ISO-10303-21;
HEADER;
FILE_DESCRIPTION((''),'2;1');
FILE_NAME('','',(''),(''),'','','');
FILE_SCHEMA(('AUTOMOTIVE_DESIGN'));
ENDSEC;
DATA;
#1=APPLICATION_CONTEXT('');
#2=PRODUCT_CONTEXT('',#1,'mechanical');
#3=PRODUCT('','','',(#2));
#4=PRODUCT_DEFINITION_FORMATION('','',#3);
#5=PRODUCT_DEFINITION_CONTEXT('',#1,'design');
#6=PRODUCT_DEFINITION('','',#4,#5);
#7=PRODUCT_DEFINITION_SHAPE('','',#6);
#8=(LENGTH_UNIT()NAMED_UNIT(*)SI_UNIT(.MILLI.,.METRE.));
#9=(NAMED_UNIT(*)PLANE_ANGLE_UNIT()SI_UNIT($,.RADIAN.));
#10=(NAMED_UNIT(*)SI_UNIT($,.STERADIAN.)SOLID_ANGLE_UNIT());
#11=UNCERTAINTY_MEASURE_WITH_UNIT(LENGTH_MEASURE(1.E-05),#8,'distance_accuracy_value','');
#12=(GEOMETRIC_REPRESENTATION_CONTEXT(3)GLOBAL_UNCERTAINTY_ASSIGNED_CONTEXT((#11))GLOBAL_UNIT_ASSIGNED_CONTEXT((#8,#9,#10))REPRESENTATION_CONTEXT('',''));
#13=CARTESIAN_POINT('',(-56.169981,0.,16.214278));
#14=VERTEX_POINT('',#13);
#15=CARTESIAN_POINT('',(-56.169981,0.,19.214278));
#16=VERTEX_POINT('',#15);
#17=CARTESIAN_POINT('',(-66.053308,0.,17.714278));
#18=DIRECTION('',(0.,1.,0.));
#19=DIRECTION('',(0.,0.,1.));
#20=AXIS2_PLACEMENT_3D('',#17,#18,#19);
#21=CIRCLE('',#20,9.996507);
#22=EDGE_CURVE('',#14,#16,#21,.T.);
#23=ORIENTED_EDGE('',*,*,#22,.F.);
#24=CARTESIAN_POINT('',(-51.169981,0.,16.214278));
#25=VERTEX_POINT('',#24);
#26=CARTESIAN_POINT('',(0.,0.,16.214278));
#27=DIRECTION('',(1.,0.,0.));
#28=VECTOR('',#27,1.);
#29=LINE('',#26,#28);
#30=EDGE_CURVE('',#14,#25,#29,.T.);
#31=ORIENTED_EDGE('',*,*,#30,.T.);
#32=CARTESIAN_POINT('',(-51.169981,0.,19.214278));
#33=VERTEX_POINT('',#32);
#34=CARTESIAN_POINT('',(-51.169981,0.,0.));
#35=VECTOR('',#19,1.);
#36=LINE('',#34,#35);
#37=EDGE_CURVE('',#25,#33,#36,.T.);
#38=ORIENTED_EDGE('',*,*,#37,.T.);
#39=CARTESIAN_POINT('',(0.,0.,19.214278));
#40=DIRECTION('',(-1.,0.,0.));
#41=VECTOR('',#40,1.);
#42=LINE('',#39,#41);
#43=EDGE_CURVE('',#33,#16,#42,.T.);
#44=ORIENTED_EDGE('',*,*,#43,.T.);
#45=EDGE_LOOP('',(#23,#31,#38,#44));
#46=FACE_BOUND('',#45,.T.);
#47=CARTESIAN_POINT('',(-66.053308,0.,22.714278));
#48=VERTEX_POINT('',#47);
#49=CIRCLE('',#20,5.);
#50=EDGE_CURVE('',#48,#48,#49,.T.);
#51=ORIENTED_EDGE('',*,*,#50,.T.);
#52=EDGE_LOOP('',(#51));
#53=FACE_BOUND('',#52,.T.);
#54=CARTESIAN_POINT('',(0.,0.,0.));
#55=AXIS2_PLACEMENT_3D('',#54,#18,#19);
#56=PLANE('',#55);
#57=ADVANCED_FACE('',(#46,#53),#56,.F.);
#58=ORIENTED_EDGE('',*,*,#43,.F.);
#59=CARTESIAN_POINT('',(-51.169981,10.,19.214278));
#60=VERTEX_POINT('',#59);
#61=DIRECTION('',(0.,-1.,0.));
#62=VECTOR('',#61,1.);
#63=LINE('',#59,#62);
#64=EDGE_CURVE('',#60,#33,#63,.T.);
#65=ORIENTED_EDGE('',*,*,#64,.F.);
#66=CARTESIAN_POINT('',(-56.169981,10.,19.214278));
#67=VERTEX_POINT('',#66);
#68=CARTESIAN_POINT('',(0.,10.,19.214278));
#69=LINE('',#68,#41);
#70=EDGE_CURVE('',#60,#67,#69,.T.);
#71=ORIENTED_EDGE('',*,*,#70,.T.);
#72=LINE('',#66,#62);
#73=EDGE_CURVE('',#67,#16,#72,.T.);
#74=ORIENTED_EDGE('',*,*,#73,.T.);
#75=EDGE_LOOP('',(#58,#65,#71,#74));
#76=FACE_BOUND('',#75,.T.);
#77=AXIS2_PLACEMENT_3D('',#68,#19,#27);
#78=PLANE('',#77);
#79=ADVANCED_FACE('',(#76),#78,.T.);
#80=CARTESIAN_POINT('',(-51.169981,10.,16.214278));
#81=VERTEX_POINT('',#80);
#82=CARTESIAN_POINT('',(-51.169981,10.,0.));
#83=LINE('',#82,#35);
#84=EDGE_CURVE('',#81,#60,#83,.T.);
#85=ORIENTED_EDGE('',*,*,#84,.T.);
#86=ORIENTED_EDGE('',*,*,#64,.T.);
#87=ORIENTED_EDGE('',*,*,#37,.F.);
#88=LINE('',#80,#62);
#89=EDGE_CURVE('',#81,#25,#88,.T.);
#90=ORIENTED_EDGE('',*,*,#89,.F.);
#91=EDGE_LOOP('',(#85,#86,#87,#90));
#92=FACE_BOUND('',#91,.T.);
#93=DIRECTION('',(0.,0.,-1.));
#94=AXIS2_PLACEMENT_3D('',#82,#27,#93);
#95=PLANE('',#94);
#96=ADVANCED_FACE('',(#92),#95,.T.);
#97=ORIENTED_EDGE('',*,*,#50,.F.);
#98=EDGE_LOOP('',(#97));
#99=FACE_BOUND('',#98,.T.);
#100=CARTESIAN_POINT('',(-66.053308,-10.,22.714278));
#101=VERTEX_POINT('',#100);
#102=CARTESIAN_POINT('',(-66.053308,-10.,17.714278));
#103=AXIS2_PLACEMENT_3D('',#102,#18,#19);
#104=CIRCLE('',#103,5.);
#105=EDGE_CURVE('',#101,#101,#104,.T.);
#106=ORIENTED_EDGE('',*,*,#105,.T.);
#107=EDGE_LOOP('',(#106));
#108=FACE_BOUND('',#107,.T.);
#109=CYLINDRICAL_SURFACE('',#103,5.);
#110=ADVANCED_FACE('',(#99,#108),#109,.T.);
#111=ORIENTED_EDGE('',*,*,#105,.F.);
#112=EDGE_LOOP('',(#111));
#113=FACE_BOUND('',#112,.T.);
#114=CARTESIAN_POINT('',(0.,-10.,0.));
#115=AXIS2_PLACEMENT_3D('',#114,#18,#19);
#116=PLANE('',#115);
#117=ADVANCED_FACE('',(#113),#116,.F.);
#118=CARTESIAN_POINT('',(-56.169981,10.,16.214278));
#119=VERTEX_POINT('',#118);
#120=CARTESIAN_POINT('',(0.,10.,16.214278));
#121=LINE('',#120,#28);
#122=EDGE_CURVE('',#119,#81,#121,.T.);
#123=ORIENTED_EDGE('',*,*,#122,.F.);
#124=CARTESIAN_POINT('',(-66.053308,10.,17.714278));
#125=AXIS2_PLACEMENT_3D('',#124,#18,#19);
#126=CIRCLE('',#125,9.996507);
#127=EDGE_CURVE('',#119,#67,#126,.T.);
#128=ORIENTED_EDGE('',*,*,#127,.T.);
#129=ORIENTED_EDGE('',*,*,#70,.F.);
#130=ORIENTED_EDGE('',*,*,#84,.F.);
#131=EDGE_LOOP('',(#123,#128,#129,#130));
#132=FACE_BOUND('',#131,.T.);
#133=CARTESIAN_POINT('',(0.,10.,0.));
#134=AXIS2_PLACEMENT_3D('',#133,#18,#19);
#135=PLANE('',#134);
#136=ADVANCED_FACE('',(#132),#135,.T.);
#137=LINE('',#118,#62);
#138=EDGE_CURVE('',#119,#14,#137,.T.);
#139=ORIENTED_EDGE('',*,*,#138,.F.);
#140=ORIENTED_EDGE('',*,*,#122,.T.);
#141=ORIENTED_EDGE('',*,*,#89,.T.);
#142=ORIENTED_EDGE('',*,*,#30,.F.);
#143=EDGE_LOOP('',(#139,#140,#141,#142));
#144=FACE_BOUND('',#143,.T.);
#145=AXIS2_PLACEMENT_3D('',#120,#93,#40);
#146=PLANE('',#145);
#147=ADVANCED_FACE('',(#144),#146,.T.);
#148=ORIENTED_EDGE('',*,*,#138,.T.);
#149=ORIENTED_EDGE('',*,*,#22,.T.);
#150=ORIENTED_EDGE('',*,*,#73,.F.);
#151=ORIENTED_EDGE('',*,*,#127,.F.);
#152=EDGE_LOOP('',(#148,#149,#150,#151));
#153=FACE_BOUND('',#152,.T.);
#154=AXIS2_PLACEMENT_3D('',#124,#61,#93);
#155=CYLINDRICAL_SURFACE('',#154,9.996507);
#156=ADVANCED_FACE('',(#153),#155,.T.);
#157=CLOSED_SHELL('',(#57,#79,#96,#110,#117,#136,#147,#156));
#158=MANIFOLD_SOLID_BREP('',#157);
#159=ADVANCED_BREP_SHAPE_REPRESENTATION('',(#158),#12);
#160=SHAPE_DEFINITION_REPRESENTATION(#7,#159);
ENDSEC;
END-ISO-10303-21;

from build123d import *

# Parameters (mm, degrees)
BOSS_EXTRUDE1_DEPTH = 10
SKETCH1_3_R         = 5
BOSS_EXTRUDE2_DEPTH = 10


with BuildPart() as part:
    # Sketch1 → Boss-Extrude1 (new body)
    with BuildSketch(Plane(origin=(0, 0, 0), x_dir=(1, 0, 0), z_dir=(0, 1, 0))):
        with BuildLine():
            Line((-51.169981336, -16.214278262), (-56.169981336, -16.214278262))
            ThreePointArc((-56.169981336, -16.214278262), (-76.049815498, -17.714278262), (-56.169981336, -19.214278262))
            Line((-56.169981336, -19.214278262), (-51.169981336, -19.214278262))
            Line((-51.169981336, -19.214278262), (-51.169981336, -16.214278262))
        make_face()
    extrude(amount=BOSS_EXTRUDE1_DEPTH)

    # Sketch1<3> → Boss-Extrude2 (add)
    with BuildSketch(Plane(origin=(0, 0, 0), x_dir=(1, 0, 0), z_dir=(0, 1, 0))):
        with Locations((-66.053308407, -17.714278262)):
            Circle(SKETCH1_3_R)
    extrude(amount=-BOSS_EXTRUDE2_DEPTH)


solid = part.part
